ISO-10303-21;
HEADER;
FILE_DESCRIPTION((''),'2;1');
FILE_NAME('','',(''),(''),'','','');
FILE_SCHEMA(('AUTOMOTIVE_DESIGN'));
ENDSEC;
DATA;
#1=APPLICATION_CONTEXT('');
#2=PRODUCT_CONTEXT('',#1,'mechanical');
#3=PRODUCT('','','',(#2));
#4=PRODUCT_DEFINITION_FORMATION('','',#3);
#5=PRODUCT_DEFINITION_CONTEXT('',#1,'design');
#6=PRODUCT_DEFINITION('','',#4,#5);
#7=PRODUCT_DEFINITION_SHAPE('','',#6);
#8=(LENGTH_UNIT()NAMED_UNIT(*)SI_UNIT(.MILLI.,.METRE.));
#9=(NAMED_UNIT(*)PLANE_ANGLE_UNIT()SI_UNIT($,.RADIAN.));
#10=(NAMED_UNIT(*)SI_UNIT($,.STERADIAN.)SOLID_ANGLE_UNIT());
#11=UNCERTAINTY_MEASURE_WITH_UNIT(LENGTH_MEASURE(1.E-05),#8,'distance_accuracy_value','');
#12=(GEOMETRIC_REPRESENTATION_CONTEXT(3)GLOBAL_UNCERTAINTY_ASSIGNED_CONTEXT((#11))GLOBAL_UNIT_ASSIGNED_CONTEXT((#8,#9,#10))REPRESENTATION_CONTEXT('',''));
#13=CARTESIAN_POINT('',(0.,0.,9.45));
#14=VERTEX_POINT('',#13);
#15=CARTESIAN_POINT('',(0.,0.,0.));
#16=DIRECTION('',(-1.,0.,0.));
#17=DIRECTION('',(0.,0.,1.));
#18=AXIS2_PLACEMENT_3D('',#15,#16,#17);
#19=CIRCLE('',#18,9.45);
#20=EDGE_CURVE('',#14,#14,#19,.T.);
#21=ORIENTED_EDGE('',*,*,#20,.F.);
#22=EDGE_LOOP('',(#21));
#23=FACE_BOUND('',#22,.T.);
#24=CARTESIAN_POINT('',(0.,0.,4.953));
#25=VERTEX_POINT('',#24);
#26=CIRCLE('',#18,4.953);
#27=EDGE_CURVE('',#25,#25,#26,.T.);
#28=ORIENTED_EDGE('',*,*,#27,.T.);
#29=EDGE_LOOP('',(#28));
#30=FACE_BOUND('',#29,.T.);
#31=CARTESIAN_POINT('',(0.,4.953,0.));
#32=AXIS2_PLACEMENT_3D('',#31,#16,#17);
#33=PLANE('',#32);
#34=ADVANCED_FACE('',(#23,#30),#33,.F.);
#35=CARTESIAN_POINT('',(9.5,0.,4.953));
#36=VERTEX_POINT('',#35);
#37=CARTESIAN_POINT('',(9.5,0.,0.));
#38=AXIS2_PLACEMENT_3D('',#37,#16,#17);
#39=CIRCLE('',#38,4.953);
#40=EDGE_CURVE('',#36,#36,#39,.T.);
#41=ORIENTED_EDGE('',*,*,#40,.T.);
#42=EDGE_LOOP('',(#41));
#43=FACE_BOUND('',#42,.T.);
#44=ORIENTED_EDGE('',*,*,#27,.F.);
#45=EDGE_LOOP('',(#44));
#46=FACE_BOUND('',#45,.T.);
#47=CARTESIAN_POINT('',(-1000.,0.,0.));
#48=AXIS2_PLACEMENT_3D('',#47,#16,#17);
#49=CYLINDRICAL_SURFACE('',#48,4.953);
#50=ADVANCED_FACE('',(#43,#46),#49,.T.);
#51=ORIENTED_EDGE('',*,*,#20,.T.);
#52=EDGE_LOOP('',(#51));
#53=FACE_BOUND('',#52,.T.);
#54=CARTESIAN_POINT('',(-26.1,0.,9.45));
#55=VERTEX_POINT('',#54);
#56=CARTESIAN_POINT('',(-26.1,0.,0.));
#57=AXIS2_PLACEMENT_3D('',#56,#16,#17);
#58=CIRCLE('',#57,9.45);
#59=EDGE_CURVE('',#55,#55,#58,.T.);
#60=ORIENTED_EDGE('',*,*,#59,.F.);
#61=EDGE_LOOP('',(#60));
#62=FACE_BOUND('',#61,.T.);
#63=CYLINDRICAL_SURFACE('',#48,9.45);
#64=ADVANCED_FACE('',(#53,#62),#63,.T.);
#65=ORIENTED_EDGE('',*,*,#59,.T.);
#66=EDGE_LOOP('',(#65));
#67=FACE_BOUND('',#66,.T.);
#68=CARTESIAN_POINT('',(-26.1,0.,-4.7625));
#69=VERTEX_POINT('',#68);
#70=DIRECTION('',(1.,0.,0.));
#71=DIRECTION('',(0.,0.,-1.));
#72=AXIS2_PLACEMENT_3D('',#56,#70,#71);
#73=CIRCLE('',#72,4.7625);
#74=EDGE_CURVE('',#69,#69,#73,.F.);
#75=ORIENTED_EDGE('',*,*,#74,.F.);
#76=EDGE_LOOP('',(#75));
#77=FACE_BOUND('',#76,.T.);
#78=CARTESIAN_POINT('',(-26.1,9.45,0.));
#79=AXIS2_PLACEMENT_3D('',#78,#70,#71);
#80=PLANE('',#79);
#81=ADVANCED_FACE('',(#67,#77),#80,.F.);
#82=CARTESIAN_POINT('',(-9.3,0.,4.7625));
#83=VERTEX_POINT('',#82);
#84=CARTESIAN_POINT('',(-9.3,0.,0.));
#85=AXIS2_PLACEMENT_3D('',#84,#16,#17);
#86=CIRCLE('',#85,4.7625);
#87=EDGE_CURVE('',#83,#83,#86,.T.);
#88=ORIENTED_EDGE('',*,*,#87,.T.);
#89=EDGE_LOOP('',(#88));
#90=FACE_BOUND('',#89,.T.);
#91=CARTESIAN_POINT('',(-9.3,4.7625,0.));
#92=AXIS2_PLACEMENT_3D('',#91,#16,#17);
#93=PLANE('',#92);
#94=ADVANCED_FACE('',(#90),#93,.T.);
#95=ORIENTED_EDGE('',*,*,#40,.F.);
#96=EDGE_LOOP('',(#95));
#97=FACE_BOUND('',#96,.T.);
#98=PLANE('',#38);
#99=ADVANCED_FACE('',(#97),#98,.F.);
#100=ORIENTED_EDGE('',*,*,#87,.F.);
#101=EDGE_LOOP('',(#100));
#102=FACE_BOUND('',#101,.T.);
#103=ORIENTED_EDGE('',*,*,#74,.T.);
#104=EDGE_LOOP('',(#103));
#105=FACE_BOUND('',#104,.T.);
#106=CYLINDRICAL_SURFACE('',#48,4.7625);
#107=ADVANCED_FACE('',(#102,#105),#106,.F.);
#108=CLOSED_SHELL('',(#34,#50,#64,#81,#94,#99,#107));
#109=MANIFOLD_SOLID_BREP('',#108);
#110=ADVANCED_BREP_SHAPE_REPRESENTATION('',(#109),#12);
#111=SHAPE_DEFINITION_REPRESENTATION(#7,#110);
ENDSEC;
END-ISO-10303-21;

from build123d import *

# Parameters (mm, degrees)
SOCKET_SKETCH_W = 17.8
SOCKET_SKETCH_H = 4.7625


with BuildPart() as part:
    # Conn_T6_ORB4 Sketch → Conn_T6_ORB4 (revolve)
    with BuildSketch(Plane.XY):
        Polygon((9.5, 0), (9.5, 4.953), (0, 4.953), (0, 9.45), (-26.1, 9.45), (-26.1, 0), align=None)
    revolve(axis=Axis((-1000, 0, 0), (1, 0, 0)))

    # Socket Sketch → Socket (revolve, cut)
    with BuildSketch(Plane.XY):
        with Locations((-18.2, 2.38125)):
            Rectangle(SOCKET_SKETCH_W, SOCKET_SKETCH_H)
    revolve(axis=Axis((-1000, 0, 0), (1, 0, 0)), mode=Mode.SUBTRACT)


solid = part.part
